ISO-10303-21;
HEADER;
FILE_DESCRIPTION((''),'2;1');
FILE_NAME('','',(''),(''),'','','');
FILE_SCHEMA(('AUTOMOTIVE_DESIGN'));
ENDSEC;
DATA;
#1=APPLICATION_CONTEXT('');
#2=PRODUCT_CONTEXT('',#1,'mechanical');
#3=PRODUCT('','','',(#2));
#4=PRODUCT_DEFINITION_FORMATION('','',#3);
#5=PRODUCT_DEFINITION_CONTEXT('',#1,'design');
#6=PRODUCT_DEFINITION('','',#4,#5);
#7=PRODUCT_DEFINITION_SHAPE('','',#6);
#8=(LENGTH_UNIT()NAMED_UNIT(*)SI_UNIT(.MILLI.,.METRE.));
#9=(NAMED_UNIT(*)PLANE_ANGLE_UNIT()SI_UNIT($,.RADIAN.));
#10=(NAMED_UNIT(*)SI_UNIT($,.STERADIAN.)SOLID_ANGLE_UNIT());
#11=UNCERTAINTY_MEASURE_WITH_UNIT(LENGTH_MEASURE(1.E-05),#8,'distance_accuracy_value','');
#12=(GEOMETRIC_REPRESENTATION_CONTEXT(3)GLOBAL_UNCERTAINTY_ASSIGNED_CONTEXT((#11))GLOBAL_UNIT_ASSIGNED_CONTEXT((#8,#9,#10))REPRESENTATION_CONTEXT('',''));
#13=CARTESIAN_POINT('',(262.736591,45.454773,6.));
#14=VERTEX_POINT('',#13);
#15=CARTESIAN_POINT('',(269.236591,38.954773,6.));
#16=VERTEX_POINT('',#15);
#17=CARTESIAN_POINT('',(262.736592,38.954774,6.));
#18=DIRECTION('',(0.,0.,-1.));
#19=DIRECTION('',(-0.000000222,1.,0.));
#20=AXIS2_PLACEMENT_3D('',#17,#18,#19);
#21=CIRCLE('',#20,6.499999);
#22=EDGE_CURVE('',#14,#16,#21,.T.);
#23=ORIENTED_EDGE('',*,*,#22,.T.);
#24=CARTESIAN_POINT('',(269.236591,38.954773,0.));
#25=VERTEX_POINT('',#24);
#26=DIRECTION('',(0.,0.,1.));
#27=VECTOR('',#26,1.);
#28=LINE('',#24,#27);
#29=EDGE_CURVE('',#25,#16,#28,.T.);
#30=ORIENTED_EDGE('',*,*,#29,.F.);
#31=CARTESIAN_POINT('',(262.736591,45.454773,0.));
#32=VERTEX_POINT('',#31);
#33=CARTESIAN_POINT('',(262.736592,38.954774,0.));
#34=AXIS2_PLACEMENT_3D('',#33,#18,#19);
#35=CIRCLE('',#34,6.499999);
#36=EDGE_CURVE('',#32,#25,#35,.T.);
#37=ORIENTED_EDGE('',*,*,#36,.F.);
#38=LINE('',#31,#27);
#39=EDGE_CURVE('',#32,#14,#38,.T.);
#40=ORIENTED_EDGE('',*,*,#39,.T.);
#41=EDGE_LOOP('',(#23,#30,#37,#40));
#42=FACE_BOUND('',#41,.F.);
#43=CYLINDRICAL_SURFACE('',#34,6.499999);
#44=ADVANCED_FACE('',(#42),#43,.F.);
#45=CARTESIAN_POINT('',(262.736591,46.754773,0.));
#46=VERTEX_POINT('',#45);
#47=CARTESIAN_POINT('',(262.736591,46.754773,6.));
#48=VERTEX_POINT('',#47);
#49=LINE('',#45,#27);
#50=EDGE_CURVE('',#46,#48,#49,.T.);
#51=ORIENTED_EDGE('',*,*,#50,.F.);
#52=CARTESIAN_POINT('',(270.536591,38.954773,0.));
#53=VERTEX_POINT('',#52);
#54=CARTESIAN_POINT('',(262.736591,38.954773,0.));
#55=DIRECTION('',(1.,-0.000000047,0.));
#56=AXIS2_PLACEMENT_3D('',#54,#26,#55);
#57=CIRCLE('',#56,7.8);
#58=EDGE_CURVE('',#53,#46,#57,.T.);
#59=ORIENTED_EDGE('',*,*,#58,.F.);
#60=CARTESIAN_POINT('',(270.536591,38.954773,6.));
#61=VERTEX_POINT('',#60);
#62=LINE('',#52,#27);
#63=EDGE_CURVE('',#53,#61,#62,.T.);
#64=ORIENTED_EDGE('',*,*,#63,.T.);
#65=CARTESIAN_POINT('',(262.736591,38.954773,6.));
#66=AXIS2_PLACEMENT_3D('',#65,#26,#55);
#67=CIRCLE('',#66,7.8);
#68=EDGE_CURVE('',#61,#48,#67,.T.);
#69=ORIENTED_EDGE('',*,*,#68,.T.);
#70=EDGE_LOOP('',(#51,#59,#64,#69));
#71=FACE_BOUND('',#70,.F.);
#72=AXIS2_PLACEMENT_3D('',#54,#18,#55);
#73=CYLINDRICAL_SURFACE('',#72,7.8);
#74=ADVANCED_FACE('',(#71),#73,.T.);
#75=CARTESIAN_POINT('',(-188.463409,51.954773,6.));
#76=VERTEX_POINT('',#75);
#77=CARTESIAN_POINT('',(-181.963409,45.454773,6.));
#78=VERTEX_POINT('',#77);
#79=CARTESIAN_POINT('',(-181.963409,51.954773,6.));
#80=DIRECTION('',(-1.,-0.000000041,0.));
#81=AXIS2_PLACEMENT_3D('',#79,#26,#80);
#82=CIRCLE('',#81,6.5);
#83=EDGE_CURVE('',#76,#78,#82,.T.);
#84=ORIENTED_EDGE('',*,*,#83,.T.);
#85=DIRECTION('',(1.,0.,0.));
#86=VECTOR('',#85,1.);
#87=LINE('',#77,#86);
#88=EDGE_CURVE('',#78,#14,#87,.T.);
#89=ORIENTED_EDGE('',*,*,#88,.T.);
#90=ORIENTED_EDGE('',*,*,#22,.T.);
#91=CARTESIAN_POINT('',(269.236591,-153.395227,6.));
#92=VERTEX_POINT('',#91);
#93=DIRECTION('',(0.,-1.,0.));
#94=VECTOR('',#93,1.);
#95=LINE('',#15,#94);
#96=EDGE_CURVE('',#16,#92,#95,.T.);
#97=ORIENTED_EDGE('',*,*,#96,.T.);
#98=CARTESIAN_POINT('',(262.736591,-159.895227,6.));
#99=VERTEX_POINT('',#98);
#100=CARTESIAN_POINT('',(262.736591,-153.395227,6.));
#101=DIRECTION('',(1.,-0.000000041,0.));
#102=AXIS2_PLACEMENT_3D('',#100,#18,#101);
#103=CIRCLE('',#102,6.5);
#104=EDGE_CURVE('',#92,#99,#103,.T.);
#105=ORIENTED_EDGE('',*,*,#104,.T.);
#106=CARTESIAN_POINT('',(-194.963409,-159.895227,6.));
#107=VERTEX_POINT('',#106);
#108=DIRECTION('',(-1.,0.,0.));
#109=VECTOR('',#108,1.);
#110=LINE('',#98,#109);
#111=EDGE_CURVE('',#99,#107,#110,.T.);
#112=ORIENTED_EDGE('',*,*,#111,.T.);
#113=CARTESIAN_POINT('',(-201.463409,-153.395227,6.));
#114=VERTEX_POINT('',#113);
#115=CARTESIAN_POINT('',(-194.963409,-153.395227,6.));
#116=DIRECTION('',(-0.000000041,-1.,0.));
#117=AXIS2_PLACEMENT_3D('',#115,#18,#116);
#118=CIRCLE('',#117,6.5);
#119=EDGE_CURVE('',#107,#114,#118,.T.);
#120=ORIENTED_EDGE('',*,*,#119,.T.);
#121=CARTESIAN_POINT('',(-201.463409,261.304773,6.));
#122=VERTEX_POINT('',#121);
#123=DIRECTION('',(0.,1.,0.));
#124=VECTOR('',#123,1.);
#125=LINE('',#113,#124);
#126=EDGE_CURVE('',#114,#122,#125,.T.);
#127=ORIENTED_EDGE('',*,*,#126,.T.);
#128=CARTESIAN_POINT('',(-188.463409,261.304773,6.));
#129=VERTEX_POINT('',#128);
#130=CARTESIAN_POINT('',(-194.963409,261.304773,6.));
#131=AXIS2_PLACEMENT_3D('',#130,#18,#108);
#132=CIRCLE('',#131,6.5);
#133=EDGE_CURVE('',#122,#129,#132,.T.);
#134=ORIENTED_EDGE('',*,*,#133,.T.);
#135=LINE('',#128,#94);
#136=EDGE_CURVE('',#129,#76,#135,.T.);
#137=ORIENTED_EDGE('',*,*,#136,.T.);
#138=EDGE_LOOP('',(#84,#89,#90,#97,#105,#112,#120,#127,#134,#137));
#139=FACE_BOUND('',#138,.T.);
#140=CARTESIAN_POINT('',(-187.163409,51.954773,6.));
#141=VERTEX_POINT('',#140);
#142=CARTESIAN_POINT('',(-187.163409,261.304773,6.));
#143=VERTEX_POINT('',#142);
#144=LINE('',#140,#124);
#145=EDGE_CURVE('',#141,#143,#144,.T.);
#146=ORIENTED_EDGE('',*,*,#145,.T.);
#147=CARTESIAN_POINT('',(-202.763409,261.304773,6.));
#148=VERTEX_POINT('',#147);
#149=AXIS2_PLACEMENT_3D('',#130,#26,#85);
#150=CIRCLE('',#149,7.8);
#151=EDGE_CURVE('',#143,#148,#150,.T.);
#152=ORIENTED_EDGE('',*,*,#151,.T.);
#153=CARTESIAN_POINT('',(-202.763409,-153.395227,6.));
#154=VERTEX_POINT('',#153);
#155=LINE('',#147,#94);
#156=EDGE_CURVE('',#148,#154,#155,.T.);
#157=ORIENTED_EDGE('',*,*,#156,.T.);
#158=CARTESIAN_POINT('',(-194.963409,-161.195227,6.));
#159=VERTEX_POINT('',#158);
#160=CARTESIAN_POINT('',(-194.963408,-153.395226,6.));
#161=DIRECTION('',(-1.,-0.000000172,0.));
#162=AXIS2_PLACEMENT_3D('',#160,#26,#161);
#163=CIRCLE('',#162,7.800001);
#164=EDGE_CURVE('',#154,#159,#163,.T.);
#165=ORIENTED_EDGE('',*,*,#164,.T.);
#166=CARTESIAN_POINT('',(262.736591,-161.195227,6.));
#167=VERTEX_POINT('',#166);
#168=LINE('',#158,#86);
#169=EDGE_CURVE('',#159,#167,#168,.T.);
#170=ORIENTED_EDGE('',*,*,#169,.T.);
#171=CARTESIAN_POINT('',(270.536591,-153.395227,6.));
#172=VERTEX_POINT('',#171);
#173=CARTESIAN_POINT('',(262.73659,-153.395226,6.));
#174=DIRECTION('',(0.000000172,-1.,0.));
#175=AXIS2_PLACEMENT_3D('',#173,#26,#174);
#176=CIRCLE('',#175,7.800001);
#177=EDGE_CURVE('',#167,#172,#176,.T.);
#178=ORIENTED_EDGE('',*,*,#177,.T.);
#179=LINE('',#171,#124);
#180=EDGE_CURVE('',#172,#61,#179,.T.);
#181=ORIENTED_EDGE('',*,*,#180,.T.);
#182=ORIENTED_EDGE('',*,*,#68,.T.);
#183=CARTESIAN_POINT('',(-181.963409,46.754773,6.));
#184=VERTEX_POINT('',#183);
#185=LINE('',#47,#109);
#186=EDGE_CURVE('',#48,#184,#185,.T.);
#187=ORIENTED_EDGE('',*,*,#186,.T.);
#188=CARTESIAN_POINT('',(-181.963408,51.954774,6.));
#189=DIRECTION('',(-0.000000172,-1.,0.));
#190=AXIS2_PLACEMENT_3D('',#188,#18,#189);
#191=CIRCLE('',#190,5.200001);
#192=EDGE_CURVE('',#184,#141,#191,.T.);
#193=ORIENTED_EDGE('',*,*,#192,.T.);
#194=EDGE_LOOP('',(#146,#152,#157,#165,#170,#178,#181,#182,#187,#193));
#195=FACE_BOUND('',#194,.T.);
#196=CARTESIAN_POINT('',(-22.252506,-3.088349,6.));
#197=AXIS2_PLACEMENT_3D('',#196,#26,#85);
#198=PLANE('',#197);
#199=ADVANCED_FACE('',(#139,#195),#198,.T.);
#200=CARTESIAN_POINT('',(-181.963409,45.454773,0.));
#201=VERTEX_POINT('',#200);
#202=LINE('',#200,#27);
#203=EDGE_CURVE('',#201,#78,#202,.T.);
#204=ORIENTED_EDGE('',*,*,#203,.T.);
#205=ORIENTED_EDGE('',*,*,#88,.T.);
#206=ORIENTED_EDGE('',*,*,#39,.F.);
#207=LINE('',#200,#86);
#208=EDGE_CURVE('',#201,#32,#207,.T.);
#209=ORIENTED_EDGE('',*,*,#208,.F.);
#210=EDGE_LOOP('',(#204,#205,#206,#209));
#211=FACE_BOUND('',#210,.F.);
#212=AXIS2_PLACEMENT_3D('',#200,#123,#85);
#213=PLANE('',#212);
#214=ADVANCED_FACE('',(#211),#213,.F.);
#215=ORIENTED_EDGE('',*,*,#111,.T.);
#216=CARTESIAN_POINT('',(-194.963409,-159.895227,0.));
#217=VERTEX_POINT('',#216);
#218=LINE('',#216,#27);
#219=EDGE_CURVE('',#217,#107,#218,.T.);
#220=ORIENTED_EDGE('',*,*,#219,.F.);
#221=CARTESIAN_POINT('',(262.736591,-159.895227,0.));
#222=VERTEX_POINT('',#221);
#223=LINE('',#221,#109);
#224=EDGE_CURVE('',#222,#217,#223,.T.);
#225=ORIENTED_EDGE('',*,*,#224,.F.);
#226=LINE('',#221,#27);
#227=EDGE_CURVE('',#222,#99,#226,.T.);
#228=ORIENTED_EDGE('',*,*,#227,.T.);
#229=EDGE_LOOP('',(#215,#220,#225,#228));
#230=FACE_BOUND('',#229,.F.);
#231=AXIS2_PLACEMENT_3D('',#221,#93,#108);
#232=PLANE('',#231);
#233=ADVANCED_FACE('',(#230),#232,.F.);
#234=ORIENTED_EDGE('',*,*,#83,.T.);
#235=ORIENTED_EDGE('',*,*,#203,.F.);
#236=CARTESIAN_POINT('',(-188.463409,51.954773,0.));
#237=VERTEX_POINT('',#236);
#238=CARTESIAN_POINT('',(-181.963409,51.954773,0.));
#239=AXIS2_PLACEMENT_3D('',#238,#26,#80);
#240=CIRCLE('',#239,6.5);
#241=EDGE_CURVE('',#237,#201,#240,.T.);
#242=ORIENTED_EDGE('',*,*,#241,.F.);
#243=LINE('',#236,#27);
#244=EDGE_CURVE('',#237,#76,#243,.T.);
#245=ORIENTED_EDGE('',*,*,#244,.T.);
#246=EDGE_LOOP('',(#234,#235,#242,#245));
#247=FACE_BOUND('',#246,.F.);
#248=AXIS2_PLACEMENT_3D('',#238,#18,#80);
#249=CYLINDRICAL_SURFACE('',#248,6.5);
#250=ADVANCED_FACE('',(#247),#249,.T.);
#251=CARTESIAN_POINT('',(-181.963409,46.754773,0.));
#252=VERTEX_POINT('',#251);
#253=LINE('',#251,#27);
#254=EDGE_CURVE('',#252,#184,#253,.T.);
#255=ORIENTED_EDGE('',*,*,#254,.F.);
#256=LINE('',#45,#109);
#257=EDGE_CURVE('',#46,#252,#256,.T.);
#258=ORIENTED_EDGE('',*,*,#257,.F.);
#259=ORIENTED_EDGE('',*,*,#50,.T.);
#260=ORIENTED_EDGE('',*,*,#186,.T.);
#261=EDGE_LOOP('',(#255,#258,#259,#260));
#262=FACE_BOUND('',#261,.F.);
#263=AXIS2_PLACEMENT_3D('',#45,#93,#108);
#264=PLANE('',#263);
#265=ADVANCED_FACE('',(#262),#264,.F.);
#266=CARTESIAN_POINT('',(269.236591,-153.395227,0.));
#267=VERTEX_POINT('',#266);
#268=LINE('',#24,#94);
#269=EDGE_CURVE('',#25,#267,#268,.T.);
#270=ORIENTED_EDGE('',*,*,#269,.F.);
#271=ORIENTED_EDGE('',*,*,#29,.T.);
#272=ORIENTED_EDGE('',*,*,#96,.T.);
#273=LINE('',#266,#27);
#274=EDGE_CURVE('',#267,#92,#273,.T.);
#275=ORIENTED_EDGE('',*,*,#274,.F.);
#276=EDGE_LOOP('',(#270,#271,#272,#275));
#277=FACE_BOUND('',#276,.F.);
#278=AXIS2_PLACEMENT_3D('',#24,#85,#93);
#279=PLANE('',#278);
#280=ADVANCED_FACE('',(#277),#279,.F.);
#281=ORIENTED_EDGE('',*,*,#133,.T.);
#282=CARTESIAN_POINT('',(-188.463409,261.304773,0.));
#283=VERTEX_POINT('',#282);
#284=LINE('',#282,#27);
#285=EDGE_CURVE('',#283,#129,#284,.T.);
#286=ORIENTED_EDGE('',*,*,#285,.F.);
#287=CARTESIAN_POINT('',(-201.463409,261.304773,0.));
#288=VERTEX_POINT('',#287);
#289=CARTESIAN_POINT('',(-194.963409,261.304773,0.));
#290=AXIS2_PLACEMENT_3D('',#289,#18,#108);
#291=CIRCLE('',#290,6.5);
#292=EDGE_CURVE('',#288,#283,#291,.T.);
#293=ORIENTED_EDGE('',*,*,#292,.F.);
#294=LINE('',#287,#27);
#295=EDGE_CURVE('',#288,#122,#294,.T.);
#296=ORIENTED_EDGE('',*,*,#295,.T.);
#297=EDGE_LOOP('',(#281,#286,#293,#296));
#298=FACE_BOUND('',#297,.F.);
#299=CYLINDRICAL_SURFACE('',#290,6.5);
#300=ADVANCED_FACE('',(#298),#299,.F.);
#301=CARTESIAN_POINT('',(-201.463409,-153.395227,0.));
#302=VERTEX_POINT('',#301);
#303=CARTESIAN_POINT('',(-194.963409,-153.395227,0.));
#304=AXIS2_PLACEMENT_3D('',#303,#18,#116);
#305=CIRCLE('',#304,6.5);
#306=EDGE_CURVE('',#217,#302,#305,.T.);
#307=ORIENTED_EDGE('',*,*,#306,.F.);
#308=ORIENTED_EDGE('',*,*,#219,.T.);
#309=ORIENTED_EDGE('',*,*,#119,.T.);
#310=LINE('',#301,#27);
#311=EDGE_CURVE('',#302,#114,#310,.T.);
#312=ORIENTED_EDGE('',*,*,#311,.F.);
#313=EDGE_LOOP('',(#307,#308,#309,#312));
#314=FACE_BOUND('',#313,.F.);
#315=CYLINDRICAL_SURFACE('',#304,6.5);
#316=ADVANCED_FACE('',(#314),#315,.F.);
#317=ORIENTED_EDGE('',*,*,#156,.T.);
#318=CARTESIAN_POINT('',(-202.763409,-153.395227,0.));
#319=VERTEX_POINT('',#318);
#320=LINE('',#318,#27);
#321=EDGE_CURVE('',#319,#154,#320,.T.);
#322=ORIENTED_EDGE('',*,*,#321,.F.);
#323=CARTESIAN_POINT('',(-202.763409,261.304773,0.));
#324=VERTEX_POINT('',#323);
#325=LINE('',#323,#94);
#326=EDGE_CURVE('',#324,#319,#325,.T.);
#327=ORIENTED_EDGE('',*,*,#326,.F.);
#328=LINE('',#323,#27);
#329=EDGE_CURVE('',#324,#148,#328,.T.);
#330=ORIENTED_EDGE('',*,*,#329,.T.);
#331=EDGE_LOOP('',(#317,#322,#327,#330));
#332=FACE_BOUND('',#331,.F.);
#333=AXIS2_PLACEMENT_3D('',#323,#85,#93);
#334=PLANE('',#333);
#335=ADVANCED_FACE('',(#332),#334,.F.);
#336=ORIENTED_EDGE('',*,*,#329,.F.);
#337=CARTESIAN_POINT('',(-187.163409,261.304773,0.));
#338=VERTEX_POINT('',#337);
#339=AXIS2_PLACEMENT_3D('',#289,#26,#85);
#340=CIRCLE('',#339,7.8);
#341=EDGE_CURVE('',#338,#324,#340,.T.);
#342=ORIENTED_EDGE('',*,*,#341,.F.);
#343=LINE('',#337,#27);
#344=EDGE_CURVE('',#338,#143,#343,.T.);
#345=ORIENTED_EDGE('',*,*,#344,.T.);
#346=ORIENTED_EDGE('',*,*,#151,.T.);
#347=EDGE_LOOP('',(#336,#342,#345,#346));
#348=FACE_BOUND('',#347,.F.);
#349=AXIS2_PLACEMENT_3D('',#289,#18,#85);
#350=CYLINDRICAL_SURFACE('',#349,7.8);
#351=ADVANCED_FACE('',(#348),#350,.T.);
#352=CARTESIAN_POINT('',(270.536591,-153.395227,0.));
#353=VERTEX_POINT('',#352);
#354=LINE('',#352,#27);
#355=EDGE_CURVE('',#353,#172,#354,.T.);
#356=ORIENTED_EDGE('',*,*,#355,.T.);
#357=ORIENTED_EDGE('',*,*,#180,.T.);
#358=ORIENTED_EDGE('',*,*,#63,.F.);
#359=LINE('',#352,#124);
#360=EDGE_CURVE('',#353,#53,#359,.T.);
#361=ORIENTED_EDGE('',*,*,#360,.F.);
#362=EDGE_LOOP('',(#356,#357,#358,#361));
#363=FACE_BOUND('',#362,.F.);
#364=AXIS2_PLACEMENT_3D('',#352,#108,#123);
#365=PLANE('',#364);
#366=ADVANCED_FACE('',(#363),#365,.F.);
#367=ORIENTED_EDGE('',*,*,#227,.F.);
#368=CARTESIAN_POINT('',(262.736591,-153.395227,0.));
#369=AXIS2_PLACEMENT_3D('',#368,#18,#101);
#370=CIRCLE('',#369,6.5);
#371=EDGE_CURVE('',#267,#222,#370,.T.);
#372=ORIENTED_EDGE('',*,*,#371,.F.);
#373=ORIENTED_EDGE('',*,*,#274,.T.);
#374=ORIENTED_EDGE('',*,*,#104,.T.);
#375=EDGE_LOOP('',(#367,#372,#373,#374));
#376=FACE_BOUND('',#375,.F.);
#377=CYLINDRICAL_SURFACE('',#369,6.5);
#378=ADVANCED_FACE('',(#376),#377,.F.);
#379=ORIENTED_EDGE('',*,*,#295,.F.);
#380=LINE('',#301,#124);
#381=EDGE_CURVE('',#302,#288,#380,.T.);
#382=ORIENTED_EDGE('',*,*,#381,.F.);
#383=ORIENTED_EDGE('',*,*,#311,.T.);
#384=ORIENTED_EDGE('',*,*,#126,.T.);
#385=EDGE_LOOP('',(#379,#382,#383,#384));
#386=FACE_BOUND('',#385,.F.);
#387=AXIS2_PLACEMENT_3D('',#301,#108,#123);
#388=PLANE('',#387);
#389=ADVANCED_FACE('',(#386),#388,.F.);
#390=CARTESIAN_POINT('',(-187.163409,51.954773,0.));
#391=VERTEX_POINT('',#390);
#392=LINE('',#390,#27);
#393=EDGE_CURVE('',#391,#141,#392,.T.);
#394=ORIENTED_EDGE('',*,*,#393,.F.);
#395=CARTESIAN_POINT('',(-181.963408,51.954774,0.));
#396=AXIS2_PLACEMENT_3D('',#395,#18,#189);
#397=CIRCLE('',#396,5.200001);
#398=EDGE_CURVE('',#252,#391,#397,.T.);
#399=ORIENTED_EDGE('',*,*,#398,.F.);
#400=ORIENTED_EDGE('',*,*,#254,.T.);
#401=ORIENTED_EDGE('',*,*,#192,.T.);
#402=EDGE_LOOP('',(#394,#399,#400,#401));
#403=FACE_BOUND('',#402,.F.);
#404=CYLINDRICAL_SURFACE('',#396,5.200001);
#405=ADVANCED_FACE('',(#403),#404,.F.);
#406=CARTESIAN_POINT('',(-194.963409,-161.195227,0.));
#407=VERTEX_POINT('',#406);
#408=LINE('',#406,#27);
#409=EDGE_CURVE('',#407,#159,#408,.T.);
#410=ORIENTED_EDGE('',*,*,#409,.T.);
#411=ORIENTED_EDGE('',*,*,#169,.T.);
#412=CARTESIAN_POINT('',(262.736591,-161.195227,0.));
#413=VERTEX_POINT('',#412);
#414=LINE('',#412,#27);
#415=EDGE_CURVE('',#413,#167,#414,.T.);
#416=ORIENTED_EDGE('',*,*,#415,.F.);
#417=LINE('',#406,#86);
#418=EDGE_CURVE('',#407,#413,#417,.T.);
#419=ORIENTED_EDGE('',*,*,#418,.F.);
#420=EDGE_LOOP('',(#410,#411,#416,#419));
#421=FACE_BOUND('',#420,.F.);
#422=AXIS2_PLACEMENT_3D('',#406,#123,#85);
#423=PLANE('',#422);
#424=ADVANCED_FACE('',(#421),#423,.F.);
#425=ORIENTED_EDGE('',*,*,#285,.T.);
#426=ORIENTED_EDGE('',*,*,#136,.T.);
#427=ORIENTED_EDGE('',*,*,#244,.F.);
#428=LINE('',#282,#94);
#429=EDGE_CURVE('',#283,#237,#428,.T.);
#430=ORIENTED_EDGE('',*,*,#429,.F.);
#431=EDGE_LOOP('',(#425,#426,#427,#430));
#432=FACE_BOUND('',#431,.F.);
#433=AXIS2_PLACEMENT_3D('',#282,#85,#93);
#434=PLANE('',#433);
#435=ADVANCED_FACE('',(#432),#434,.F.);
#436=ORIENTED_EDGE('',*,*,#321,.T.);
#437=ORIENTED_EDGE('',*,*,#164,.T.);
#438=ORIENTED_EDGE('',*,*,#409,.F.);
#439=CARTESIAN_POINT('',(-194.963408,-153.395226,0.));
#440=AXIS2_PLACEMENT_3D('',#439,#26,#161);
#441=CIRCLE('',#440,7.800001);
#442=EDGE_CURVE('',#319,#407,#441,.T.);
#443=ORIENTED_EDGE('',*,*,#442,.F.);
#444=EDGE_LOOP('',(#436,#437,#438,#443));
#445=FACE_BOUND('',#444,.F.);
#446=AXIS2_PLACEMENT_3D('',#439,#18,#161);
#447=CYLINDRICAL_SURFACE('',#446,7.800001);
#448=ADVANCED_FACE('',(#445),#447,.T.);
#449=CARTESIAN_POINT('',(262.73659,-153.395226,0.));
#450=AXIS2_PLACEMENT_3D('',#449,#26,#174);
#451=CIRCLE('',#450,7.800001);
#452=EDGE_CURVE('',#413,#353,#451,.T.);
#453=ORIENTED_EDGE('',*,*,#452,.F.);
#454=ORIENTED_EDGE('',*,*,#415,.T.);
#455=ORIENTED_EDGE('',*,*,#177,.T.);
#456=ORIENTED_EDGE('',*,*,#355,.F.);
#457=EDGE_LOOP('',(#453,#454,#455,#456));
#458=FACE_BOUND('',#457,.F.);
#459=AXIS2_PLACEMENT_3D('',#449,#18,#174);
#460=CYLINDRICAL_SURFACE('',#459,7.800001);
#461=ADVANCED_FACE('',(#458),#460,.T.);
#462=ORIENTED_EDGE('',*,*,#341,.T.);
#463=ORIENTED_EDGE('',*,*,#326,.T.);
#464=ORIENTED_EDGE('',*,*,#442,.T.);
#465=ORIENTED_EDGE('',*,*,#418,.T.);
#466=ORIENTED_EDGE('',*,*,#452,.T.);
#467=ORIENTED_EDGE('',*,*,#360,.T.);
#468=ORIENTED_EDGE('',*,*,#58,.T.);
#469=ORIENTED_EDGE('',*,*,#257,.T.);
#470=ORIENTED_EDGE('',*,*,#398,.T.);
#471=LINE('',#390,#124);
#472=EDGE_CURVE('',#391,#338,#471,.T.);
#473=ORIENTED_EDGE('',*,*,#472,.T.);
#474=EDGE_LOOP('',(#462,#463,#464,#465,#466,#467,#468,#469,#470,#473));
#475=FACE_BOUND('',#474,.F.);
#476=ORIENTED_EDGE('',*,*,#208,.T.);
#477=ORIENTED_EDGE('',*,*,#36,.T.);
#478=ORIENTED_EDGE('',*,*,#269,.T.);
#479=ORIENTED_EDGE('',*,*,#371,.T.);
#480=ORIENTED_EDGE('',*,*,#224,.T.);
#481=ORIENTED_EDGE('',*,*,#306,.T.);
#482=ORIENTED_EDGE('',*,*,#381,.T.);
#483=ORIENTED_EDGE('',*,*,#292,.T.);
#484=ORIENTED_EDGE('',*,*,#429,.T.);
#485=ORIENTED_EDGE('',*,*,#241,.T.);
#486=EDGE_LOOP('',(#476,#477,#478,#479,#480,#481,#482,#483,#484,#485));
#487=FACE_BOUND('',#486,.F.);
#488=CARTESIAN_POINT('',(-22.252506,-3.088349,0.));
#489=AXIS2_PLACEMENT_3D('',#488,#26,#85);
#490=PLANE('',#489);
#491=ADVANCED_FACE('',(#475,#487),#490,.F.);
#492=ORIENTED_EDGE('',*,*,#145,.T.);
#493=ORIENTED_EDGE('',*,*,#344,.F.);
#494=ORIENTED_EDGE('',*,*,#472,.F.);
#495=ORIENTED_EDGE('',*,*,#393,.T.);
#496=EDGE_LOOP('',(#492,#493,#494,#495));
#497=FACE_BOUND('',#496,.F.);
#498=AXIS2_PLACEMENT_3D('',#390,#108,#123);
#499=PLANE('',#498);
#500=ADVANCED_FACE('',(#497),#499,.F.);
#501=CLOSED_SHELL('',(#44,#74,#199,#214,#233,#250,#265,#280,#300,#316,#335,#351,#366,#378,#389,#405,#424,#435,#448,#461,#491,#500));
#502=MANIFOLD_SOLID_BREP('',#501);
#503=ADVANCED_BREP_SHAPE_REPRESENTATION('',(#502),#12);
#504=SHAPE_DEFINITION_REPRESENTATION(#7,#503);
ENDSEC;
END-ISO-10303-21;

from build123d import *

# Parameters (mm, degrees)
F1_DEPTH = 6


with BuildPart() as f1:
    # F0 (on Top) → F1 (new body)
    with BuildSketch(Plane.XY):
        with BuildLine():
            Line((-187.163409, 51.954773), (-187.163409, 261.304773))
            ThreePointArc((-187.163409, 261.304773), (-194.963409, 269.104773), (-202.763409, 261.304773))
            Line((-202.763409, 261.304773), (-202.763409, -153.395227))
            ThreePointArc((-202.763409, -153.395227), (-200.478842, -158.910659), (-194.963409, -161.195227))
            Line((-194.963409, -161.195227), (262.736591, -161.195227))
            ThreePointArc((262.736591, -161.195227), (268.252024, -158.910659), (270.536591, -153.395227))
            Line((270.536591, -153.395227), (270.536591, 38.954773))
            ThreePointArc((270.536591, 38.954773), (268.252024, 44.470206), (262.736591, 46.754773))
            Line((262.736591, 46.754773), (-181.963409, 46.754773))
            ThreePointArc((-181.963409, 46.754773), (-185.640364, 48.277818), (-187.163409, 51.954773))
        make_face()
        with BuildLine():
            ThreePointArc((-201.463409, 261.304773), (-194.963409, 267.804773), (-188.463409, 261.304773))
            Line((-188.463409, 261.304773), (-188.463409, 51.954773))
            ThreePointArc((-188.463409, 51.954773), (-186.559603, 47.358579), (-181.963409, 45.454773))
            Line((-181.963409, 45.454773), (22.386591, 45.454773))
            Line((22.386591, 45.454773), (262.736591, 45.454773))
            ThreePointArc((262.736591, 45.454773), (267.332785, 43.550968), (269.236591, 38.954773))
            Line((269.236591, 38.954773), (269.236591, -153.395227))
            ThreePointArc((269.236591, -153.395227), (267.332785, -157.991421), (262.736591, -159.895227))
            Line((262.736591, -159.895227), (-194.963409, -159.895227))
            ThreePointArc((-194.963409, -159.895227), (-199.559603, -157.991421), (-201.463409, -153.395227))
            Line((-201.463409, -153.395227), (-201.463409, 261.304773))
        make_face(mode=Mode.SUBTRACT)
    extrude(amount=F1_DEPTH)


solid = f1.part
